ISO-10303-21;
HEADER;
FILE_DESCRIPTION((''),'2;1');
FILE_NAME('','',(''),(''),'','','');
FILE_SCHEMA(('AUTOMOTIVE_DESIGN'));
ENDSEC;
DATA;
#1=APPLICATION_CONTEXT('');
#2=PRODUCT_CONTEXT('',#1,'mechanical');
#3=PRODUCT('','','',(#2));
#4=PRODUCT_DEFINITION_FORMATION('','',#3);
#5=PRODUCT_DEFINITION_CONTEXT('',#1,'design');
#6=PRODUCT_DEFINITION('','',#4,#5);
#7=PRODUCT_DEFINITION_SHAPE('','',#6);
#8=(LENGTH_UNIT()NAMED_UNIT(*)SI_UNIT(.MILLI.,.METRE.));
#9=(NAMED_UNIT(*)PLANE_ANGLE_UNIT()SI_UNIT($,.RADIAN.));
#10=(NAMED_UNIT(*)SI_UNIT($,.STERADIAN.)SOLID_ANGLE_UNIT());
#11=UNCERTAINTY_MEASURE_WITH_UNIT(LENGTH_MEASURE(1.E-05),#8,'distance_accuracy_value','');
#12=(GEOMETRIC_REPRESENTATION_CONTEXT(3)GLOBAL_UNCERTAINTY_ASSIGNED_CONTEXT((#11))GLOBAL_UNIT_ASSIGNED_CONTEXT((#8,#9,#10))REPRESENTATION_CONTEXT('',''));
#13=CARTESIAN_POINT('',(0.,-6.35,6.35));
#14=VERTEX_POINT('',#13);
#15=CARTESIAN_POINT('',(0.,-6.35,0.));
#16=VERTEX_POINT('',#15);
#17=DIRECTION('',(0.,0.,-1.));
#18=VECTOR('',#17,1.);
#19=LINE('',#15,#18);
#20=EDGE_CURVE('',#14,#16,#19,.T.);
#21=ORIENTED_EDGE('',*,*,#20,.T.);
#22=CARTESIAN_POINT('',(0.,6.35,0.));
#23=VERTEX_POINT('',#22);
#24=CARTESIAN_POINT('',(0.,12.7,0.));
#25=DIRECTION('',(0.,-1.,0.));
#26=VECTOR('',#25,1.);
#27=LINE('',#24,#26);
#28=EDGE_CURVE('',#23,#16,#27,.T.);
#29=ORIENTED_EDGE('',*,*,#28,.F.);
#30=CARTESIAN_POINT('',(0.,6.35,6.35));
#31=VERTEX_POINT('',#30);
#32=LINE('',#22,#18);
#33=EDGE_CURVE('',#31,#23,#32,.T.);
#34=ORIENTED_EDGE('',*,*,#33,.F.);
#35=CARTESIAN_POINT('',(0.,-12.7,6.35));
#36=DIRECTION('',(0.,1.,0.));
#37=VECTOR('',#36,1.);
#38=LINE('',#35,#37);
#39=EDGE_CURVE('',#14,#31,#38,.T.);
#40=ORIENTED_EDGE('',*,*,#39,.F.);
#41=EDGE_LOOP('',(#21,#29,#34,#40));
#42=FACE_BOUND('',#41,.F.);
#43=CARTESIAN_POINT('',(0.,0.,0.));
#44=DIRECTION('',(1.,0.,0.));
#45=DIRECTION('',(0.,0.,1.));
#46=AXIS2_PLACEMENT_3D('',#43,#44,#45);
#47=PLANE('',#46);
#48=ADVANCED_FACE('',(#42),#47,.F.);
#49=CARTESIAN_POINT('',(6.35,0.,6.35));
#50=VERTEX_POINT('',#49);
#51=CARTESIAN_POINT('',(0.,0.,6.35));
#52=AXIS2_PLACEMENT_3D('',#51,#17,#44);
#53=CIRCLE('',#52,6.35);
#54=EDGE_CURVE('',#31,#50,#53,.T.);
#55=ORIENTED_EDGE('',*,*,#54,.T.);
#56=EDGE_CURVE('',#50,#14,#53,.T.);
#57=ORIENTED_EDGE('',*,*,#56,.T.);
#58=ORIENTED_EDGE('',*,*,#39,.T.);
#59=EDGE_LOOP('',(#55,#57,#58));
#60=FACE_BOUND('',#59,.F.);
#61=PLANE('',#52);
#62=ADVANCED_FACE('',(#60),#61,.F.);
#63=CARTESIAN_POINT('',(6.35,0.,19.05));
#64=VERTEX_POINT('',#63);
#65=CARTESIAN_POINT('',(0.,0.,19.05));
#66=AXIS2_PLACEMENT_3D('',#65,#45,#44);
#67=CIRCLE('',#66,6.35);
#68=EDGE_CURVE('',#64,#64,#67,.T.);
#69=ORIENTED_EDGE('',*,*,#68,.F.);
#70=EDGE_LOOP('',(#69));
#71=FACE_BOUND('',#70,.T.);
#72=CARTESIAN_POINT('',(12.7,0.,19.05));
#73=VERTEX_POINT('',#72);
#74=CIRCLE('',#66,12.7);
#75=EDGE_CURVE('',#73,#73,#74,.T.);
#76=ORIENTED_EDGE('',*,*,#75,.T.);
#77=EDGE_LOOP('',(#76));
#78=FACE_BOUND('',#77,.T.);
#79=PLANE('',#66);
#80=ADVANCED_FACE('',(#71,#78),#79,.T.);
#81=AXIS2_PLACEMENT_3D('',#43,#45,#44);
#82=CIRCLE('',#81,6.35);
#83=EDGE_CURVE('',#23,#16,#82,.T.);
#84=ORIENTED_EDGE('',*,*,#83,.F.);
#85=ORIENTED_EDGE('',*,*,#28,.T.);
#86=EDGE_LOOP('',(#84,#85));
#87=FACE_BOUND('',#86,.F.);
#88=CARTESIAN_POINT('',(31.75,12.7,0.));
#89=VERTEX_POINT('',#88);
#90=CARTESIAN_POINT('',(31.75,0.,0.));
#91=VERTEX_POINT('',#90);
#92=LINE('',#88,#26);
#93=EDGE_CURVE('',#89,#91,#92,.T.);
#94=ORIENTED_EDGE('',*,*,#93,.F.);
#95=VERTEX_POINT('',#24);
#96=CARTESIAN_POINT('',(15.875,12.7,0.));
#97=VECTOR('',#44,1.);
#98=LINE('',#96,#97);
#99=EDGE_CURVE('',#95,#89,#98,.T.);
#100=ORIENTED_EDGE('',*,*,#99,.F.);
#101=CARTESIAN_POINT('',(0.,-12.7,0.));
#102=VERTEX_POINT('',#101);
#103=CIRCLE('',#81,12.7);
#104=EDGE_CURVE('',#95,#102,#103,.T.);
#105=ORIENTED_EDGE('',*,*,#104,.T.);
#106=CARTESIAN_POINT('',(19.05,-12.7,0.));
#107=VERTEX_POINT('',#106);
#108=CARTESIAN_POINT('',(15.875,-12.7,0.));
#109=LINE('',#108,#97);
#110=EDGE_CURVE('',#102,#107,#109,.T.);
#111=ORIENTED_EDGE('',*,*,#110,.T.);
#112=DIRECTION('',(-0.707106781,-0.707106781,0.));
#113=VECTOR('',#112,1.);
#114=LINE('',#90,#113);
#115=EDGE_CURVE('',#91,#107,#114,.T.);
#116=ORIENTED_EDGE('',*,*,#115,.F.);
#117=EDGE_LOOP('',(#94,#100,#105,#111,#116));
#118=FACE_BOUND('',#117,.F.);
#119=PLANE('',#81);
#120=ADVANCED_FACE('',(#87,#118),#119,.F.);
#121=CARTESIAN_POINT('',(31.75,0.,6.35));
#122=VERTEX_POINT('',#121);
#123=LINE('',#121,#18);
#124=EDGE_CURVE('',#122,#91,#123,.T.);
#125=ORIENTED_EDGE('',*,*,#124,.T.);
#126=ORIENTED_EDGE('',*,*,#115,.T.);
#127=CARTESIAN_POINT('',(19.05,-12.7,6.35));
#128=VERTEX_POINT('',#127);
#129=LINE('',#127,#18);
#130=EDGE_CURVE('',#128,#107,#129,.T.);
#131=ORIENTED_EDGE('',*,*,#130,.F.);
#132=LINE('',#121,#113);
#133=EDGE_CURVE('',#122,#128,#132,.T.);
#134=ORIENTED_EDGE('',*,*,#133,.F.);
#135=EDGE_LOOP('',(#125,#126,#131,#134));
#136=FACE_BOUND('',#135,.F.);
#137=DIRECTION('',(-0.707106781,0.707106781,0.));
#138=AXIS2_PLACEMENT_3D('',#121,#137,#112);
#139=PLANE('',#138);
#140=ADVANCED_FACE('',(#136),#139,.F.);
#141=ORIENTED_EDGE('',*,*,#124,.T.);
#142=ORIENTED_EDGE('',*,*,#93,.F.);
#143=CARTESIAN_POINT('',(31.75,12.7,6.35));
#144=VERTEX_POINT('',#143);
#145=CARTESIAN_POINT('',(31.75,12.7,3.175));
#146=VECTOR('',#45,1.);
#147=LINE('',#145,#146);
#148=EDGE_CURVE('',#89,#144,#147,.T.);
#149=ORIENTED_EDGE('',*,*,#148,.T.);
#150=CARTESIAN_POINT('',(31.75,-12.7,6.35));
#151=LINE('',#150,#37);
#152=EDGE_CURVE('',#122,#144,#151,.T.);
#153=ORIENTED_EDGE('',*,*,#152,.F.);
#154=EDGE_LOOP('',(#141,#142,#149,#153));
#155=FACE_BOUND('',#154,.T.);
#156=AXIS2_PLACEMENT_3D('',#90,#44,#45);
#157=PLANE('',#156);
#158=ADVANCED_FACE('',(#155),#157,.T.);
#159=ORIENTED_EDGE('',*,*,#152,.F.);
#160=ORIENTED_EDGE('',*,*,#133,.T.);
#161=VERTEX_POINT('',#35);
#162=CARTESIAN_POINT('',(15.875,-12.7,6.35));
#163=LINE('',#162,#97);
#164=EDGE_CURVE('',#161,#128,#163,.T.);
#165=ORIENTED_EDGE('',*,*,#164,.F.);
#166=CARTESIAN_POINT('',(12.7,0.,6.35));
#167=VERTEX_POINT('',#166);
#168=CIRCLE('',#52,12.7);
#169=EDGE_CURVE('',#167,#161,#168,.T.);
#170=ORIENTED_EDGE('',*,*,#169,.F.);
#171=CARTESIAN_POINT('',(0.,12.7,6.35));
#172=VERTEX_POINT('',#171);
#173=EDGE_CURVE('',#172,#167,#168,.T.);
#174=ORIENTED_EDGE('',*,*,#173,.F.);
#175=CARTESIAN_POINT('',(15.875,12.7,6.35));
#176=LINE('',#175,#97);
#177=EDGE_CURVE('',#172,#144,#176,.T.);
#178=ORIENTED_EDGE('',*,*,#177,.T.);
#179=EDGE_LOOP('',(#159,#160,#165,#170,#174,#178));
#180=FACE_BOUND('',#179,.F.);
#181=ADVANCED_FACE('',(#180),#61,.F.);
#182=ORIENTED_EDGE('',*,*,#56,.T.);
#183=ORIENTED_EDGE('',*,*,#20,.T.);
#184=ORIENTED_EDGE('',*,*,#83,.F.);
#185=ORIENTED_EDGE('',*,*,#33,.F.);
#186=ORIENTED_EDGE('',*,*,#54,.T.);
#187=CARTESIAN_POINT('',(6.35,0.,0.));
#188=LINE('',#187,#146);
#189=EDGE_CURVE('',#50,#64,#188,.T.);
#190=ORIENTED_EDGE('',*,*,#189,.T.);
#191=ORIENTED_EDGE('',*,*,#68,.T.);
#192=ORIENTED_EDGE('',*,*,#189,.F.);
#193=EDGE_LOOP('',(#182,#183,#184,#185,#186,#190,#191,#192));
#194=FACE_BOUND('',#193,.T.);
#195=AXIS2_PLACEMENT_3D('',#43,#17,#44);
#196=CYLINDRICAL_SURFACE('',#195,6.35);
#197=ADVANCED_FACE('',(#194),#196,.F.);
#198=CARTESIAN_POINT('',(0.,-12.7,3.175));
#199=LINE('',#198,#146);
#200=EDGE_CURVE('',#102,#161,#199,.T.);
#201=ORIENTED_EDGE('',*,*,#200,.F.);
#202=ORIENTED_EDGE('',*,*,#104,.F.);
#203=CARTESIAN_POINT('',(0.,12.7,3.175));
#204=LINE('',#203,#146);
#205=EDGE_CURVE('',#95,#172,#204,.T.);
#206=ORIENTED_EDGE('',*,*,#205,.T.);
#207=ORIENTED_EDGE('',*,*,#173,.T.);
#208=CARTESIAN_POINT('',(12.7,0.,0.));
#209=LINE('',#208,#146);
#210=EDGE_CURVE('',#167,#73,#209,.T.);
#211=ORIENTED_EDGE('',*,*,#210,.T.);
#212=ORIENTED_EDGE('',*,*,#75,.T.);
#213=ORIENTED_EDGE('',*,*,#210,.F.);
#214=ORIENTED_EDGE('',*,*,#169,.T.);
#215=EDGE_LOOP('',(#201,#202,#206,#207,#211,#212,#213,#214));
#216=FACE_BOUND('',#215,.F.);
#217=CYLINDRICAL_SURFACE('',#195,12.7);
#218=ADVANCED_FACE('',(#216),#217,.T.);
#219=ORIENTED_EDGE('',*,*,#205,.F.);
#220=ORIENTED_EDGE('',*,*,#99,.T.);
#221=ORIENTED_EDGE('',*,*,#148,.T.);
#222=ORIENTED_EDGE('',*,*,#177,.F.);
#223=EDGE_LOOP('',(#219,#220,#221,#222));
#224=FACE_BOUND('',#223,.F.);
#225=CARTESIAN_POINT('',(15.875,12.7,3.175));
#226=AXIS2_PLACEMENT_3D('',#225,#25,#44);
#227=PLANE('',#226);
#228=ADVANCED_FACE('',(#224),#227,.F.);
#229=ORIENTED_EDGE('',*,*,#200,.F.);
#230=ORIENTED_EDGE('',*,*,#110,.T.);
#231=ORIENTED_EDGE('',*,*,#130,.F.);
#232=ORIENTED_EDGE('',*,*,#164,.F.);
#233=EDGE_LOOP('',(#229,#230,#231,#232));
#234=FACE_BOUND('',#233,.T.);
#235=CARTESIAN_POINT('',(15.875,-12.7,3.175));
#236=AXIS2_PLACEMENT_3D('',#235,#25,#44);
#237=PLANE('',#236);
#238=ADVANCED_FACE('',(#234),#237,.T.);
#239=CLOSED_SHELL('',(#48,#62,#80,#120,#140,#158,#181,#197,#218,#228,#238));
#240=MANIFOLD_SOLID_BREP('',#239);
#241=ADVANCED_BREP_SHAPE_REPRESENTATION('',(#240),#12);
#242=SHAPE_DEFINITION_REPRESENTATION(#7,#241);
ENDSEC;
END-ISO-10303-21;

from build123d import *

# Parameters (mm, degrees)
F0_R     = 12.7
F0_R_2   = 6.35
F1_DEPTH = 19.05
F2_W     = 31.75
F2_H     = 6.35
F3_DEPTH = 12.7
F5_DEPTH = 6.35


with BuildPart() as f1:
    # F0 (on Top) → F1 (new body)
    with BuildSketch(Plane.XY):
        Circle(F0_R)
        Circle(F0_R_2, mode=Mode.SUBTRACT)
    extrude(amount=F1_DEPTH)

    # F2 (on Front) → F3 (join, symmetric)
    with BuildSketch(Plane.XZ):
        with Locations((15.875, 3.175)):
            Rectangle(F2_W, F2_H)
    extrude(amount=F3_DEPTH, both=True)

    # F4 (on face) → F5 (cut)
    with BuildSketch(Plane.XY.offset(6.35)):
        Polygon((31.75, -12.7), (31.75, 0), (19.05, -12.7), align=None)
    extrude(amount=-F5_DEPTH, mode=Mode.SUBTRACT)


solid = f1.part
